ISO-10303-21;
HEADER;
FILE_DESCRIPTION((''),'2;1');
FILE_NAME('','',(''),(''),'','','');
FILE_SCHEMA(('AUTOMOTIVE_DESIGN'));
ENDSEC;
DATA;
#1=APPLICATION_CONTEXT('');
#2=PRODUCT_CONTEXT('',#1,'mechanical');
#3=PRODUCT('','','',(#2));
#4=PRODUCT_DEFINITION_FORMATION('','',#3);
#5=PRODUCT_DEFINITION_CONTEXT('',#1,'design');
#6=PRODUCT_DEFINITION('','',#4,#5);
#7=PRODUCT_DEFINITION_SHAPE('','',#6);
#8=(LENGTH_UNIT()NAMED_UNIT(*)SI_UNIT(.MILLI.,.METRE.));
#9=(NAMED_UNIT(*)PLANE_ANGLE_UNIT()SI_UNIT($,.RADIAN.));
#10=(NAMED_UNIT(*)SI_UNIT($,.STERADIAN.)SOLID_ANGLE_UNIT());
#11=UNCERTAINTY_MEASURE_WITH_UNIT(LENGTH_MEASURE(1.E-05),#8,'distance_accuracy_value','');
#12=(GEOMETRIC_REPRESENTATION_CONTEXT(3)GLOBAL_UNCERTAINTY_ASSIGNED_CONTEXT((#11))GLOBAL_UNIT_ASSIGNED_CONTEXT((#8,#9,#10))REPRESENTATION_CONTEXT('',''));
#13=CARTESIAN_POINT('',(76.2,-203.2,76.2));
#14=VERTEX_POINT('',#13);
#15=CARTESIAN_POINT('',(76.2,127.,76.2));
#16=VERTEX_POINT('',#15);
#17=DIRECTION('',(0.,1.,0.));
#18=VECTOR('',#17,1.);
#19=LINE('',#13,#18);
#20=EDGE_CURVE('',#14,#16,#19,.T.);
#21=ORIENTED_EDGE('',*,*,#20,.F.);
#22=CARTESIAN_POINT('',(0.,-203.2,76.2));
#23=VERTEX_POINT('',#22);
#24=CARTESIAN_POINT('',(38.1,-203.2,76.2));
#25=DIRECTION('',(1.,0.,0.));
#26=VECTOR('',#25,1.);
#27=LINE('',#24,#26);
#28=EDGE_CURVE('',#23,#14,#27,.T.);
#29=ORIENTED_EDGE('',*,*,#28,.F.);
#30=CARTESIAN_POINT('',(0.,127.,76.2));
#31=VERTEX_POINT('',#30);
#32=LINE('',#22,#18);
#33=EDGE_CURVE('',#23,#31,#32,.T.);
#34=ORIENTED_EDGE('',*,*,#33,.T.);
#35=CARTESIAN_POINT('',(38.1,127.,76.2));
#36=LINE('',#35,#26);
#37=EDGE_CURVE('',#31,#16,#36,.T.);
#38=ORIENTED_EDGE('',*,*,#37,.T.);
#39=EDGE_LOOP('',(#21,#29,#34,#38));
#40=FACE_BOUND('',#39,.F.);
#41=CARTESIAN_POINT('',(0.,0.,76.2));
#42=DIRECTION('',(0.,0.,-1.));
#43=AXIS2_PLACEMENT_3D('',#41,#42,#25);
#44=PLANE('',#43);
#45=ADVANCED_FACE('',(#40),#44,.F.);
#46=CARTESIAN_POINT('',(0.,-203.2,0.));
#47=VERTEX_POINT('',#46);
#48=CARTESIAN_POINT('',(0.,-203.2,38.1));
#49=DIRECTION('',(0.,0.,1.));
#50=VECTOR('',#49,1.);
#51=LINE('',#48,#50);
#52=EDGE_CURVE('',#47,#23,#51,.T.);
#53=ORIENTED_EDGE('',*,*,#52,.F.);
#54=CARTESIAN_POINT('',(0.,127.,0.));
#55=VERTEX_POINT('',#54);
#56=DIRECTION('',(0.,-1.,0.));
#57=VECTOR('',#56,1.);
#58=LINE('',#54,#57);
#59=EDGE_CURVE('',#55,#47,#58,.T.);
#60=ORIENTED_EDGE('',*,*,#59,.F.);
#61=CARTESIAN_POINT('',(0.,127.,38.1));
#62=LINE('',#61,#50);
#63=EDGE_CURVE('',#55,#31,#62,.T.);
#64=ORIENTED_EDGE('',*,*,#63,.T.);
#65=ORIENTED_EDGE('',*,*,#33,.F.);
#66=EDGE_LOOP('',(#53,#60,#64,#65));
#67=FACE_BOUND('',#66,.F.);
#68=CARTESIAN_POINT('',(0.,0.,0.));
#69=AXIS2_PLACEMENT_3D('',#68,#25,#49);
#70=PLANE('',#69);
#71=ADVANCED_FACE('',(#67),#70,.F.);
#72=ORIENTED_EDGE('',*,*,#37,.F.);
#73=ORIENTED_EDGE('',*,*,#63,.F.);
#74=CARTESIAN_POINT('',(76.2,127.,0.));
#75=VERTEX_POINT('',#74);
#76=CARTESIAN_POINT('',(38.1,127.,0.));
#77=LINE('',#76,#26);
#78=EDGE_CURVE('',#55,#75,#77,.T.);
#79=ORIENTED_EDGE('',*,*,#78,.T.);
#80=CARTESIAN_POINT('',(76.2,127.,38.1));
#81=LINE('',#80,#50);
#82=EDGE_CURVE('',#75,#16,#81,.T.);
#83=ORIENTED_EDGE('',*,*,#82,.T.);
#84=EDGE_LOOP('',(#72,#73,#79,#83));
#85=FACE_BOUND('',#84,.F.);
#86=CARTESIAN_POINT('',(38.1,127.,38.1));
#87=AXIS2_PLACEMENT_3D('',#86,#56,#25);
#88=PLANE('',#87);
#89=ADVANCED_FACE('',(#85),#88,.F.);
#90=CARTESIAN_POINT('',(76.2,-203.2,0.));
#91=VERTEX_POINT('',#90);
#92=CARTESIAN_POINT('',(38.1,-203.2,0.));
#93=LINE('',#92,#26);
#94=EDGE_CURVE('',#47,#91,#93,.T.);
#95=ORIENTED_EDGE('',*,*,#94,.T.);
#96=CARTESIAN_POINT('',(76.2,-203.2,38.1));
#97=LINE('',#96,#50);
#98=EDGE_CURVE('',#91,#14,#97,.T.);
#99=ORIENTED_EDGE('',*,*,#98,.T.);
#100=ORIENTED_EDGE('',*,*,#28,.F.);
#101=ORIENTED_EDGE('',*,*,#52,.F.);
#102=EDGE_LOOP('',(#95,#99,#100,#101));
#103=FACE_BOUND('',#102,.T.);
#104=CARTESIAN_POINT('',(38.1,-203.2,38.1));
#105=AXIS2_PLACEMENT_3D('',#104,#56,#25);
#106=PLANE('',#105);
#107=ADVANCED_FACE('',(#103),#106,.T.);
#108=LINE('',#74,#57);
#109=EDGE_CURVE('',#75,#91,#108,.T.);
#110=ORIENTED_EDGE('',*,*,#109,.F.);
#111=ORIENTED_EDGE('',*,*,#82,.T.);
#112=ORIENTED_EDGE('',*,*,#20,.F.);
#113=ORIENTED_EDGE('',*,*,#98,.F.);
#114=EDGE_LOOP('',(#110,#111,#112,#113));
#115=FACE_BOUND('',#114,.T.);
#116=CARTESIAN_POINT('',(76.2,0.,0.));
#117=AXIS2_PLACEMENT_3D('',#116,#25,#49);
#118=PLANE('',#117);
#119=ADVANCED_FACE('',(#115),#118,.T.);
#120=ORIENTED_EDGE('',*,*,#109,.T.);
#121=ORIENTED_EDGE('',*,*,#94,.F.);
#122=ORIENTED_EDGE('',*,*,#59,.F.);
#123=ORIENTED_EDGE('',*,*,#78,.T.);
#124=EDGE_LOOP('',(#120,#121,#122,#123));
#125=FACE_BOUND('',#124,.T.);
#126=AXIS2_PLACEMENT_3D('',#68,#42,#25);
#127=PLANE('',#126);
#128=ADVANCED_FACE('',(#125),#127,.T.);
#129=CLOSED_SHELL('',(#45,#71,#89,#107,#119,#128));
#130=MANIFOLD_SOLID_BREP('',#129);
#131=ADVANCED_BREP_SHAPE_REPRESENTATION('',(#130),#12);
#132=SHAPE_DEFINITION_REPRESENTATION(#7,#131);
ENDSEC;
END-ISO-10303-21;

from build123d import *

# Parameters (mm, degrees)
F0_W     = 76.2
F0_H     = 76.2
F1_DEPTH = 127
F2_DEPTH = 76.2
F3_DEPTH = 127


with BuildPart() as f1:
    # F0 (on Front) → F1 (new body)
    with BuildSketch(Plane.XZ):
        with Locations((38.1, 38.1)):
            Rectangle(F0_W, F0_H)
    extrude(amount=F1_DEPTH)

    # F2 (add): a face of the model
    f2_faces = [f1.faces().sort_by_distance(p)[0] for p in [
        (38.1, -127, 38.1),
    ]]
    extrude(f2_faces, amount=F2_DEPTH)

    # F3 (add): a face of the model
    f3_faces = [f1.faces().sort_by_distance(p)[0] for p in [
        (38.1, 0, 38.1),
    ]]
    extrude(f3_faces, amount=F3_DEPTH)


solid = f1.part
